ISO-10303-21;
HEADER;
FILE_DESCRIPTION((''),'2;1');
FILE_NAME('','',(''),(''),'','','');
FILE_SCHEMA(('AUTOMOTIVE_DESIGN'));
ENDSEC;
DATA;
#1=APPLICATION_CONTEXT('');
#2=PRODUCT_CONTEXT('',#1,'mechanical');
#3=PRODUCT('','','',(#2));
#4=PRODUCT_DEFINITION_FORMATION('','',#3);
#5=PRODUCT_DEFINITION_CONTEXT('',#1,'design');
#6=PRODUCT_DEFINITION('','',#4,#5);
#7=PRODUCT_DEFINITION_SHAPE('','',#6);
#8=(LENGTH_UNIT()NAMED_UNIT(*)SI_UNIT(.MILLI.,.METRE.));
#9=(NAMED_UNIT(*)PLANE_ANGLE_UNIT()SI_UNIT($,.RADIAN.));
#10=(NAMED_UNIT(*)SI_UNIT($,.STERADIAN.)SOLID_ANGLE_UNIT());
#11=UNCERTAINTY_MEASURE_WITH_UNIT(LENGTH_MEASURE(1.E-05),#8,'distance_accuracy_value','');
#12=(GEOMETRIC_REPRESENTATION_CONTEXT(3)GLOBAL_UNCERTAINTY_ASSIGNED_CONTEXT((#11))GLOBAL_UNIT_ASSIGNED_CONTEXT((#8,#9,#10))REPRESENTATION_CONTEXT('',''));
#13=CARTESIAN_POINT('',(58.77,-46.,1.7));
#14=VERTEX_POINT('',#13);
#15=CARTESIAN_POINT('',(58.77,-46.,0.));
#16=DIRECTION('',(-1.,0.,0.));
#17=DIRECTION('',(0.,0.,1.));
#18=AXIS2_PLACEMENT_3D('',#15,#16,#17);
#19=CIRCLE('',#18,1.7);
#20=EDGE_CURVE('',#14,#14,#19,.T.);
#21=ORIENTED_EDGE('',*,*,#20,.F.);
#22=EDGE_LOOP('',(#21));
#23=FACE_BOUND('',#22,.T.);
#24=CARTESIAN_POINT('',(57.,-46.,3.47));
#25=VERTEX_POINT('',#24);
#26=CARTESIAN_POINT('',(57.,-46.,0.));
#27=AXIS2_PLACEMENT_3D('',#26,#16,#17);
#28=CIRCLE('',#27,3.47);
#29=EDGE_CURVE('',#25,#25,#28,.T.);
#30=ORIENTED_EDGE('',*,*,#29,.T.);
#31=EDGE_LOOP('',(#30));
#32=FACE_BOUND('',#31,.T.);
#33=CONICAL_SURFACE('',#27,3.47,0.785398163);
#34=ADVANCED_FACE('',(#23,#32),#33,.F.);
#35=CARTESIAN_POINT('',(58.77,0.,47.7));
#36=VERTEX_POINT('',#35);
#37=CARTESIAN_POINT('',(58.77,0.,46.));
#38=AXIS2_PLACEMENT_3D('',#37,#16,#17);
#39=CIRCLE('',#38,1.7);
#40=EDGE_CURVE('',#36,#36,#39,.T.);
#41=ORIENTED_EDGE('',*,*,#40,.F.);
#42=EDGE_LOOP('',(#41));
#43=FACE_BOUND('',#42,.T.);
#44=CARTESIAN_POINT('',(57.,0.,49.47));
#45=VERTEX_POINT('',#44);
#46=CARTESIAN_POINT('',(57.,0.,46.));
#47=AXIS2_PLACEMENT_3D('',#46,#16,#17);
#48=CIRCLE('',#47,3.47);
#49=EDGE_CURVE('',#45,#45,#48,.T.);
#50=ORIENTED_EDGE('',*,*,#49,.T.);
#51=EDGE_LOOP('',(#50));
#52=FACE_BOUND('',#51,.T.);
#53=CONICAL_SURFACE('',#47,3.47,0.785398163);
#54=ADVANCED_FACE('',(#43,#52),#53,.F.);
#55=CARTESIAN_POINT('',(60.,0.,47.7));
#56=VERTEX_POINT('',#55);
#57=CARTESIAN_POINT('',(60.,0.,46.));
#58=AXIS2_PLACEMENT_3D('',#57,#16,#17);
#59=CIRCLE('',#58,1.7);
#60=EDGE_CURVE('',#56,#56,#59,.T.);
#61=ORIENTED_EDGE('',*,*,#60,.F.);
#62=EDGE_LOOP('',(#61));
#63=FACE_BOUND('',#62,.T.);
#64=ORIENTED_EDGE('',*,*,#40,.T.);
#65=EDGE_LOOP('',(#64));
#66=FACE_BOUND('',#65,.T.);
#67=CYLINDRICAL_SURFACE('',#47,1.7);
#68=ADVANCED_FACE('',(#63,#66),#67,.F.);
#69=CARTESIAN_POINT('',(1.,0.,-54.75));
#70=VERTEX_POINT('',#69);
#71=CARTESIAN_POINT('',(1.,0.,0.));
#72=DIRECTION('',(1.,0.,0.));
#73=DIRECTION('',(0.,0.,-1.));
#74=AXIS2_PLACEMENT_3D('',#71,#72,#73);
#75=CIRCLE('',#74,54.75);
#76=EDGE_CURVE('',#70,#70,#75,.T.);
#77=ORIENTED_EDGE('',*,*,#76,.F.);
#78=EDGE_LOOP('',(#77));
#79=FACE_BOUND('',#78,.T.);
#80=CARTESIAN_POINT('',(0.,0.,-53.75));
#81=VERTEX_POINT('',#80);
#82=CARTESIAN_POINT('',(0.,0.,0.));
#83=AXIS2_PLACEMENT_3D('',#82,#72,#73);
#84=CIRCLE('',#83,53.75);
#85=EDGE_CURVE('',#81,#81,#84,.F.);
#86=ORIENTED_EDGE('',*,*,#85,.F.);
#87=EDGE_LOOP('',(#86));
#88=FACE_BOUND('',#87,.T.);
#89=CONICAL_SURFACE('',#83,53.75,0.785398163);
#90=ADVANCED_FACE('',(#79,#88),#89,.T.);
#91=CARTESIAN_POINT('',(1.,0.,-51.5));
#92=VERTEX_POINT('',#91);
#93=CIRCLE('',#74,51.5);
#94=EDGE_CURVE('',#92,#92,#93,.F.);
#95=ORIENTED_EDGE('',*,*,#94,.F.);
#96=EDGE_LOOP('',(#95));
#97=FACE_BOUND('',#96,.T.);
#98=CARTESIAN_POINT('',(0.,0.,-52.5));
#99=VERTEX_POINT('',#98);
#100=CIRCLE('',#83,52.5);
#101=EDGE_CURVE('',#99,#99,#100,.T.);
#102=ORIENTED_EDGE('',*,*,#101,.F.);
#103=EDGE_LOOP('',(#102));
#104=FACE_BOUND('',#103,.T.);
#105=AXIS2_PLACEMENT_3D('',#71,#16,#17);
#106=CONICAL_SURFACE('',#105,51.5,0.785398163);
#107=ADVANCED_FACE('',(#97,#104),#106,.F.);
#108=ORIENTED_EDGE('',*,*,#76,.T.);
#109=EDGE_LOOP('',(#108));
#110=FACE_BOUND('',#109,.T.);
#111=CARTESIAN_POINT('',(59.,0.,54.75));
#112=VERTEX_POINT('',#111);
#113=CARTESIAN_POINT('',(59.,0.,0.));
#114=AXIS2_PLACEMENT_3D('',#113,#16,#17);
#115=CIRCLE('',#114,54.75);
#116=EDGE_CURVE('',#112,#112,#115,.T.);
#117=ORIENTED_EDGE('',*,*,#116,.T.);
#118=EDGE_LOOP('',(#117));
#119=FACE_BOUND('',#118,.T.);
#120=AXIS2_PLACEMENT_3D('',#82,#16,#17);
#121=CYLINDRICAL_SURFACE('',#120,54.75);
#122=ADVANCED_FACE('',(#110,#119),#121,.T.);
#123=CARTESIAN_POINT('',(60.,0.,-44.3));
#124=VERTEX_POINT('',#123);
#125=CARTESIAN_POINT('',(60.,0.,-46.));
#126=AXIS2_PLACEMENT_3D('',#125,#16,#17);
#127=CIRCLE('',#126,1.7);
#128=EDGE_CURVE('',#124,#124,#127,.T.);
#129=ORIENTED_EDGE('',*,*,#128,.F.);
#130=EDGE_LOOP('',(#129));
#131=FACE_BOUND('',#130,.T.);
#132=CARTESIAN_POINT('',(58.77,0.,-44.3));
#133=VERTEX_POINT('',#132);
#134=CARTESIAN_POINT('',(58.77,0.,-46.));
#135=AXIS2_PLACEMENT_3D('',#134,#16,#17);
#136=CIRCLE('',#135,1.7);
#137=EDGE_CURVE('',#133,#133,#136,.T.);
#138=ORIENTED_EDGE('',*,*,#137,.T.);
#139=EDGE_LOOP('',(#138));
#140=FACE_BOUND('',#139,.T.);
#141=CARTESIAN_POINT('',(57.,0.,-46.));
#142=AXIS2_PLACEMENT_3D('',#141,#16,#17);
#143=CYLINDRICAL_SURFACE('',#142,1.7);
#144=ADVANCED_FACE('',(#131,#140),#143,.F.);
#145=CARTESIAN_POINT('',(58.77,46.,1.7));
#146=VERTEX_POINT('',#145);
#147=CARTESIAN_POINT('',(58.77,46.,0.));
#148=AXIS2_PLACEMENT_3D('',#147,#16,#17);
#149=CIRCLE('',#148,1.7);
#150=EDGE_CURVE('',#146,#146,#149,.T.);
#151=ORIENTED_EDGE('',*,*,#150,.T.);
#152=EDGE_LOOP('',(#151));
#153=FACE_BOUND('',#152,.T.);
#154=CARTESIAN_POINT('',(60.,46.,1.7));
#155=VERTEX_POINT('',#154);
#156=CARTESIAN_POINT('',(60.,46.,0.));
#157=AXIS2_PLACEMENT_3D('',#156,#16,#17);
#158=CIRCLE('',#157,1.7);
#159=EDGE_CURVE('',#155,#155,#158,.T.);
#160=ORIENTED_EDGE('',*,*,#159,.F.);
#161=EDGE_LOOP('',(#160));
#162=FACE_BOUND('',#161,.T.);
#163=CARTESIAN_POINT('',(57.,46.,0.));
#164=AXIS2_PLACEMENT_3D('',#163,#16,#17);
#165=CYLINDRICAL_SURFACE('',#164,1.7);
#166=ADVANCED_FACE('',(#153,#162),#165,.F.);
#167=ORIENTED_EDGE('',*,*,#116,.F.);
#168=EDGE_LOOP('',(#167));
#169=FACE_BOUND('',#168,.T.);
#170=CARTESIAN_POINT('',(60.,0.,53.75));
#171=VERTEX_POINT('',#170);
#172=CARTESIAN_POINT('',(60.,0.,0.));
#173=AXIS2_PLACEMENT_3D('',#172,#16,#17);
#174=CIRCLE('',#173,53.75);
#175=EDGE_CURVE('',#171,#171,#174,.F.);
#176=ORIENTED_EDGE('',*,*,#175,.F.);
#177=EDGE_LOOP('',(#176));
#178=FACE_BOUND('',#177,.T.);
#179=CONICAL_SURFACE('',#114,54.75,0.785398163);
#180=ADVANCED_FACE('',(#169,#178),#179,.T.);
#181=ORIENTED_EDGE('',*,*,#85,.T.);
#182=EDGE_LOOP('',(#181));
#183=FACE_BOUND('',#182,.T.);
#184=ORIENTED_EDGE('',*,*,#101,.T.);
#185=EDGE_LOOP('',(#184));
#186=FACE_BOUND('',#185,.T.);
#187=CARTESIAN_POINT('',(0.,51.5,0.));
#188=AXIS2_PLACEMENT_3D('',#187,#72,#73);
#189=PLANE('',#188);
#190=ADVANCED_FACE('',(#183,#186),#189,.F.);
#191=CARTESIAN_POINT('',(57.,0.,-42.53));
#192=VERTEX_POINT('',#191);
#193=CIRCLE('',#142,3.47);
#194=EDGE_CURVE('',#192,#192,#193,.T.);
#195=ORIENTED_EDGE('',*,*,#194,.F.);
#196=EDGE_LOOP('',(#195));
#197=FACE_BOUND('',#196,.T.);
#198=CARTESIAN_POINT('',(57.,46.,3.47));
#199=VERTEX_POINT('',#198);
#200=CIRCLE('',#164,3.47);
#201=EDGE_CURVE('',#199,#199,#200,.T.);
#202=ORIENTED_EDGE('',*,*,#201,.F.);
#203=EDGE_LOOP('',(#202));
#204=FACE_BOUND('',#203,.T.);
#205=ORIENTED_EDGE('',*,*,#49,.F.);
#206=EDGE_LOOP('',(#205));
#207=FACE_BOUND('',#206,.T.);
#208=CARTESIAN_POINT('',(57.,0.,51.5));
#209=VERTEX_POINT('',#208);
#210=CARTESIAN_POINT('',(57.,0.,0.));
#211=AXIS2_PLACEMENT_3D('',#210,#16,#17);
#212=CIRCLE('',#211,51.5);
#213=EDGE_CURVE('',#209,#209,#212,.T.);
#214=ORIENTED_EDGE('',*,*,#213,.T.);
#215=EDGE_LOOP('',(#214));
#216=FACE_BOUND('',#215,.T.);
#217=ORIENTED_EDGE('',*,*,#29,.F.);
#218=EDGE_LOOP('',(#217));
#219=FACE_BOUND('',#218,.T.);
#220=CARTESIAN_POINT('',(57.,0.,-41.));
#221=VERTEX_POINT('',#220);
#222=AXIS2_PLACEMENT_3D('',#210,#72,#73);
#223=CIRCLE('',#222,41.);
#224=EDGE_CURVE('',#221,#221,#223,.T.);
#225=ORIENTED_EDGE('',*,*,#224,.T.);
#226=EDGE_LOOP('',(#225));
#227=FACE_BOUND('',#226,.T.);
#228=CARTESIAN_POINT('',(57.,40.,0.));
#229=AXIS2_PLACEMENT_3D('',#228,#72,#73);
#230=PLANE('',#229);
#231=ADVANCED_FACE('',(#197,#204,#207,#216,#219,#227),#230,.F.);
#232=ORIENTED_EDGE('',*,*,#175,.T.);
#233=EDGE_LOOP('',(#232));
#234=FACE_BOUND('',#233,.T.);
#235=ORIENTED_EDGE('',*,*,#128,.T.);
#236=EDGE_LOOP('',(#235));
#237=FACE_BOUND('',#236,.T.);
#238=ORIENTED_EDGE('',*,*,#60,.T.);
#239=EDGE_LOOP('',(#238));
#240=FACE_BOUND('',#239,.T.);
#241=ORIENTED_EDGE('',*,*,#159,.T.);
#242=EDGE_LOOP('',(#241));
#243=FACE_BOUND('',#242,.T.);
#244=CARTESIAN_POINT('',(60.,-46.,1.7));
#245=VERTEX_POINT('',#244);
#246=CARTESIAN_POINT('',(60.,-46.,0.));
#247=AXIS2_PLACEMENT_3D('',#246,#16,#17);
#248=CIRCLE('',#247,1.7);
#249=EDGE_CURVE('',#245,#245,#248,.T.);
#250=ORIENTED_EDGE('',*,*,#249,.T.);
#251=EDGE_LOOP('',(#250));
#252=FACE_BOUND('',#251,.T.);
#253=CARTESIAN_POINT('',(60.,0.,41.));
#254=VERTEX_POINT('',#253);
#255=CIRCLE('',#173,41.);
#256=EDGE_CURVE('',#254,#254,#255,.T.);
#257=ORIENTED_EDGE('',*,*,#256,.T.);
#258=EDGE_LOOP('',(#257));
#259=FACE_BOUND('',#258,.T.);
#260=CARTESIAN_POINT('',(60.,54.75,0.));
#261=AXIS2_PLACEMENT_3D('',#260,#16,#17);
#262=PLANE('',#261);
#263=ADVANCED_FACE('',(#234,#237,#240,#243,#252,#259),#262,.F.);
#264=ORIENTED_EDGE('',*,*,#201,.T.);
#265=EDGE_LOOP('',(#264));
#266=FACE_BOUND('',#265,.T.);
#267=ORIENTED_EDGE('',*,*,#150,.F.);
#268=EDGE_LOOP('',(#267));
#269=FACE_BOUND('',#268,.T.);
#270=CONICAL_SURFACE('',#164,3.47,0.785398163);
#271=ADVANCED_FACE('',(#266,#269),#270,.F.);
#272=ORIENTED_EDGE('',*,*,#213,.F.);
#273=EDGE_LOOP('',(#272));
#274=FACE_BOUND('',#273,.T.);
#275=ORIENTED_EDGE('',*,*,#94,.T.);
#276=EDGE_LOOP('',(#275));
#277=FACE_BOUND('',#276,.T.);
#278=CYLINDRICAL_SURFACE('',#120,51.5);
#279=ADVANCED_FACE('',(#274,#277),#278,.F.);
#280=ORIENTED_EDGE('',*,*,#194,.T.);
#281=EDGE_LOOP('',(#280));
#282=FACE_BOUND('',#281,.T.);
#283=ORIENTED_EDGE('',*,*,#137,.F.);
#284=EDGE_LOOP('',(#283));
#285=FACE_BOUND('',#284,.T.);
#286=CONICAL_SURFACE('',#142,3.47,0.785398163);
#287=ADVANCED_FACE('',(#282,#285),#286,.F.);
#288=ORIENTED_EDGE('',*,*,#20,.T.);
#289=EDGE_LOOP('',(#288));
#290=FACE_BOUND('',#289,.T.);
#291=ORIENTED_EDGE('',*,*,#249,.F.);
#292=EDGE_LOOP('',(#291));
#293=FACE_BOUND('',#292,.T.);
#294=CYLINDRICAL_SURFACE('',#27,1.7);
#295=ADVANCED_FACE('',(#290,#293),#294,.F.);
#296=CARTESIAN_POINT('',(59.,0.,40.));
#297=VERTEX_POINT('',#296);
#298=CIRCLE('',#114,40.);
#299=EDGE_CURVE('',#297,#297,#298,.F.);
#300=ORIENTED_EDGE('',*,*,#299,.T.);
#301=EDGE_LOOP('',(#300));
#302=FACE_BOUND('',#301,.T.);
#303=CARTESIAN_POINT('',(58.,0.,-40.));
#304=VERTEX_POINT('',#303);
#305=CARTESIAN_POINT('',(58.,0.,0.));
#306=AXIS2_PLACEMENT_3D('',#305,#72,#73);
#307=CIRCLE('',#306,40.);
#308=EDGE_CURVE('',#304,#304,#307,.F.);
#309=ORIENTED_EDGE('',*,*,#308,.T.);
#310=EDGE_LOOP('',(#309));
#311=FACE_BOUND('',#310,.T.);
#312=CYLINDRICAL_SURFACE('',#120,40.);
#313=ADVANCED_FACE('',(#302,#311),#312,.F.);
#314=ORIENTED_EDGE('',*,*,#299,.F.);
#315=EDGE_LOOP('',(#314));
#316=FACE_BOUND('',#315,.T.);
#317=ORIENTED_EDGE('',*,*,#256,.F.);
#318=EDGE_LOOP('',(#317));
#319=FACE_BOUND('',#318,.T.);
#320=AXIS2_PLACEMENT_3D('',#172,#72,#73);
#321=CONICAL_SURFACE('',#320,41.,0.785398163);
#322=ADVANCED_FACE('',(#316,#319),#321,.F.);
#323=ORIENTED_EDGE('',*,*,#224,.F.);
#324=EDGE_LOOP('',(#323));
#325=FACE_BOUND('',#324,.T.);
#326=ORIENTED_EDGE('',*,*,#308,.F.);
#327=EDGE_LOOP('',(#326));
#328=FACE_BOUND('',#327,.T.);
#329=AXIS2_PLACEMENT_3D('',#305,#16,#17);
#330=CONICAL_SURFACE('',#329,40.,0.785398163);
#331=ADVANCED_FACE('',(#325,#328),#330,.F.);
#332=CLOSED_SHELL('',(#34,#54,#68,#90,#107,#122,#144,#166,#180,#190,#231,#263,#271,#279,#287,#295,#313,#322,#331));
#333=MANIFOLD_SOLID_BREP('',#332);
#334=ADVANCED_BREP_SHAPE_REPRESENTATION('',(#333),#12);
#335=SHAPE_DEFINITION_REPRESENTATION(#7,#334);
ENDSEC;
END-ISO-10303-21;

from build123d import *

# Parameters (mm, degrees)
CHAMFER_1_SIZE           = 1
PATTERN_CIRCULAR_2_COUNT = 4


with BuildPart() as part:
    # Эскиз1 → Повернуть1 (revolve)
    with BuildSketch(Plane.XY):
        Polygon((0, 54.75), (60, 54.75), (60, 40), (57, 40), (57, 51.5), (0, 51.5), align=None)
    revolve(axis=Axis((0, 0, 0), (1, 0, 0)))

    # Фаска1
    chamfer_1_edges = [part.edges().sort_by_distance(p)[0] for p in [
        (0, -51.5, 0),
        (57, -40, 0),
        (60, -40, 0),
        (60, -54.75, 0),
        (0, -54.75, 0),
    ]]
    chamfer(chamfer_1_edges, length=CHAMFER_1_SIZE)

    # Эскиз5 → Зенковка для винта с потайной головкой и внутренним шестигранником M31 (revolve, cut)
    with BuildSketch(Plane(origin=(57, 46, 0), x_dir=(0, 0, 1), z_dir=(0, 1, 0))):
        Polygon((0, 0), (0, 22.5), (1.7, 21.478536948), (1.7, 1.77), (3.47, 0), align=None)
    hole_wizard_m31 = revolve(axis=Axis((50.65, 46, 0), (1, 0, 0)), mode=Mode.SUBTRACT)

    # Круговой массив2: Зенковка для винта с потайной головкой и внутренним шестигранником M31 ×4 about axis
    pattern_circular_2_axis = Axis((0, 0, 0), (1, 0, 0))
    for i in range(1, PATTERN_CIRCULAR_2_COUNT):
        add(hole_wizard_m31.rotate(pattern_circular_2_axis, i * 360 / PATTERN_CIRCULAR_2_COUNT), mode=Mode.SUBTRACT)


solid = part.part
